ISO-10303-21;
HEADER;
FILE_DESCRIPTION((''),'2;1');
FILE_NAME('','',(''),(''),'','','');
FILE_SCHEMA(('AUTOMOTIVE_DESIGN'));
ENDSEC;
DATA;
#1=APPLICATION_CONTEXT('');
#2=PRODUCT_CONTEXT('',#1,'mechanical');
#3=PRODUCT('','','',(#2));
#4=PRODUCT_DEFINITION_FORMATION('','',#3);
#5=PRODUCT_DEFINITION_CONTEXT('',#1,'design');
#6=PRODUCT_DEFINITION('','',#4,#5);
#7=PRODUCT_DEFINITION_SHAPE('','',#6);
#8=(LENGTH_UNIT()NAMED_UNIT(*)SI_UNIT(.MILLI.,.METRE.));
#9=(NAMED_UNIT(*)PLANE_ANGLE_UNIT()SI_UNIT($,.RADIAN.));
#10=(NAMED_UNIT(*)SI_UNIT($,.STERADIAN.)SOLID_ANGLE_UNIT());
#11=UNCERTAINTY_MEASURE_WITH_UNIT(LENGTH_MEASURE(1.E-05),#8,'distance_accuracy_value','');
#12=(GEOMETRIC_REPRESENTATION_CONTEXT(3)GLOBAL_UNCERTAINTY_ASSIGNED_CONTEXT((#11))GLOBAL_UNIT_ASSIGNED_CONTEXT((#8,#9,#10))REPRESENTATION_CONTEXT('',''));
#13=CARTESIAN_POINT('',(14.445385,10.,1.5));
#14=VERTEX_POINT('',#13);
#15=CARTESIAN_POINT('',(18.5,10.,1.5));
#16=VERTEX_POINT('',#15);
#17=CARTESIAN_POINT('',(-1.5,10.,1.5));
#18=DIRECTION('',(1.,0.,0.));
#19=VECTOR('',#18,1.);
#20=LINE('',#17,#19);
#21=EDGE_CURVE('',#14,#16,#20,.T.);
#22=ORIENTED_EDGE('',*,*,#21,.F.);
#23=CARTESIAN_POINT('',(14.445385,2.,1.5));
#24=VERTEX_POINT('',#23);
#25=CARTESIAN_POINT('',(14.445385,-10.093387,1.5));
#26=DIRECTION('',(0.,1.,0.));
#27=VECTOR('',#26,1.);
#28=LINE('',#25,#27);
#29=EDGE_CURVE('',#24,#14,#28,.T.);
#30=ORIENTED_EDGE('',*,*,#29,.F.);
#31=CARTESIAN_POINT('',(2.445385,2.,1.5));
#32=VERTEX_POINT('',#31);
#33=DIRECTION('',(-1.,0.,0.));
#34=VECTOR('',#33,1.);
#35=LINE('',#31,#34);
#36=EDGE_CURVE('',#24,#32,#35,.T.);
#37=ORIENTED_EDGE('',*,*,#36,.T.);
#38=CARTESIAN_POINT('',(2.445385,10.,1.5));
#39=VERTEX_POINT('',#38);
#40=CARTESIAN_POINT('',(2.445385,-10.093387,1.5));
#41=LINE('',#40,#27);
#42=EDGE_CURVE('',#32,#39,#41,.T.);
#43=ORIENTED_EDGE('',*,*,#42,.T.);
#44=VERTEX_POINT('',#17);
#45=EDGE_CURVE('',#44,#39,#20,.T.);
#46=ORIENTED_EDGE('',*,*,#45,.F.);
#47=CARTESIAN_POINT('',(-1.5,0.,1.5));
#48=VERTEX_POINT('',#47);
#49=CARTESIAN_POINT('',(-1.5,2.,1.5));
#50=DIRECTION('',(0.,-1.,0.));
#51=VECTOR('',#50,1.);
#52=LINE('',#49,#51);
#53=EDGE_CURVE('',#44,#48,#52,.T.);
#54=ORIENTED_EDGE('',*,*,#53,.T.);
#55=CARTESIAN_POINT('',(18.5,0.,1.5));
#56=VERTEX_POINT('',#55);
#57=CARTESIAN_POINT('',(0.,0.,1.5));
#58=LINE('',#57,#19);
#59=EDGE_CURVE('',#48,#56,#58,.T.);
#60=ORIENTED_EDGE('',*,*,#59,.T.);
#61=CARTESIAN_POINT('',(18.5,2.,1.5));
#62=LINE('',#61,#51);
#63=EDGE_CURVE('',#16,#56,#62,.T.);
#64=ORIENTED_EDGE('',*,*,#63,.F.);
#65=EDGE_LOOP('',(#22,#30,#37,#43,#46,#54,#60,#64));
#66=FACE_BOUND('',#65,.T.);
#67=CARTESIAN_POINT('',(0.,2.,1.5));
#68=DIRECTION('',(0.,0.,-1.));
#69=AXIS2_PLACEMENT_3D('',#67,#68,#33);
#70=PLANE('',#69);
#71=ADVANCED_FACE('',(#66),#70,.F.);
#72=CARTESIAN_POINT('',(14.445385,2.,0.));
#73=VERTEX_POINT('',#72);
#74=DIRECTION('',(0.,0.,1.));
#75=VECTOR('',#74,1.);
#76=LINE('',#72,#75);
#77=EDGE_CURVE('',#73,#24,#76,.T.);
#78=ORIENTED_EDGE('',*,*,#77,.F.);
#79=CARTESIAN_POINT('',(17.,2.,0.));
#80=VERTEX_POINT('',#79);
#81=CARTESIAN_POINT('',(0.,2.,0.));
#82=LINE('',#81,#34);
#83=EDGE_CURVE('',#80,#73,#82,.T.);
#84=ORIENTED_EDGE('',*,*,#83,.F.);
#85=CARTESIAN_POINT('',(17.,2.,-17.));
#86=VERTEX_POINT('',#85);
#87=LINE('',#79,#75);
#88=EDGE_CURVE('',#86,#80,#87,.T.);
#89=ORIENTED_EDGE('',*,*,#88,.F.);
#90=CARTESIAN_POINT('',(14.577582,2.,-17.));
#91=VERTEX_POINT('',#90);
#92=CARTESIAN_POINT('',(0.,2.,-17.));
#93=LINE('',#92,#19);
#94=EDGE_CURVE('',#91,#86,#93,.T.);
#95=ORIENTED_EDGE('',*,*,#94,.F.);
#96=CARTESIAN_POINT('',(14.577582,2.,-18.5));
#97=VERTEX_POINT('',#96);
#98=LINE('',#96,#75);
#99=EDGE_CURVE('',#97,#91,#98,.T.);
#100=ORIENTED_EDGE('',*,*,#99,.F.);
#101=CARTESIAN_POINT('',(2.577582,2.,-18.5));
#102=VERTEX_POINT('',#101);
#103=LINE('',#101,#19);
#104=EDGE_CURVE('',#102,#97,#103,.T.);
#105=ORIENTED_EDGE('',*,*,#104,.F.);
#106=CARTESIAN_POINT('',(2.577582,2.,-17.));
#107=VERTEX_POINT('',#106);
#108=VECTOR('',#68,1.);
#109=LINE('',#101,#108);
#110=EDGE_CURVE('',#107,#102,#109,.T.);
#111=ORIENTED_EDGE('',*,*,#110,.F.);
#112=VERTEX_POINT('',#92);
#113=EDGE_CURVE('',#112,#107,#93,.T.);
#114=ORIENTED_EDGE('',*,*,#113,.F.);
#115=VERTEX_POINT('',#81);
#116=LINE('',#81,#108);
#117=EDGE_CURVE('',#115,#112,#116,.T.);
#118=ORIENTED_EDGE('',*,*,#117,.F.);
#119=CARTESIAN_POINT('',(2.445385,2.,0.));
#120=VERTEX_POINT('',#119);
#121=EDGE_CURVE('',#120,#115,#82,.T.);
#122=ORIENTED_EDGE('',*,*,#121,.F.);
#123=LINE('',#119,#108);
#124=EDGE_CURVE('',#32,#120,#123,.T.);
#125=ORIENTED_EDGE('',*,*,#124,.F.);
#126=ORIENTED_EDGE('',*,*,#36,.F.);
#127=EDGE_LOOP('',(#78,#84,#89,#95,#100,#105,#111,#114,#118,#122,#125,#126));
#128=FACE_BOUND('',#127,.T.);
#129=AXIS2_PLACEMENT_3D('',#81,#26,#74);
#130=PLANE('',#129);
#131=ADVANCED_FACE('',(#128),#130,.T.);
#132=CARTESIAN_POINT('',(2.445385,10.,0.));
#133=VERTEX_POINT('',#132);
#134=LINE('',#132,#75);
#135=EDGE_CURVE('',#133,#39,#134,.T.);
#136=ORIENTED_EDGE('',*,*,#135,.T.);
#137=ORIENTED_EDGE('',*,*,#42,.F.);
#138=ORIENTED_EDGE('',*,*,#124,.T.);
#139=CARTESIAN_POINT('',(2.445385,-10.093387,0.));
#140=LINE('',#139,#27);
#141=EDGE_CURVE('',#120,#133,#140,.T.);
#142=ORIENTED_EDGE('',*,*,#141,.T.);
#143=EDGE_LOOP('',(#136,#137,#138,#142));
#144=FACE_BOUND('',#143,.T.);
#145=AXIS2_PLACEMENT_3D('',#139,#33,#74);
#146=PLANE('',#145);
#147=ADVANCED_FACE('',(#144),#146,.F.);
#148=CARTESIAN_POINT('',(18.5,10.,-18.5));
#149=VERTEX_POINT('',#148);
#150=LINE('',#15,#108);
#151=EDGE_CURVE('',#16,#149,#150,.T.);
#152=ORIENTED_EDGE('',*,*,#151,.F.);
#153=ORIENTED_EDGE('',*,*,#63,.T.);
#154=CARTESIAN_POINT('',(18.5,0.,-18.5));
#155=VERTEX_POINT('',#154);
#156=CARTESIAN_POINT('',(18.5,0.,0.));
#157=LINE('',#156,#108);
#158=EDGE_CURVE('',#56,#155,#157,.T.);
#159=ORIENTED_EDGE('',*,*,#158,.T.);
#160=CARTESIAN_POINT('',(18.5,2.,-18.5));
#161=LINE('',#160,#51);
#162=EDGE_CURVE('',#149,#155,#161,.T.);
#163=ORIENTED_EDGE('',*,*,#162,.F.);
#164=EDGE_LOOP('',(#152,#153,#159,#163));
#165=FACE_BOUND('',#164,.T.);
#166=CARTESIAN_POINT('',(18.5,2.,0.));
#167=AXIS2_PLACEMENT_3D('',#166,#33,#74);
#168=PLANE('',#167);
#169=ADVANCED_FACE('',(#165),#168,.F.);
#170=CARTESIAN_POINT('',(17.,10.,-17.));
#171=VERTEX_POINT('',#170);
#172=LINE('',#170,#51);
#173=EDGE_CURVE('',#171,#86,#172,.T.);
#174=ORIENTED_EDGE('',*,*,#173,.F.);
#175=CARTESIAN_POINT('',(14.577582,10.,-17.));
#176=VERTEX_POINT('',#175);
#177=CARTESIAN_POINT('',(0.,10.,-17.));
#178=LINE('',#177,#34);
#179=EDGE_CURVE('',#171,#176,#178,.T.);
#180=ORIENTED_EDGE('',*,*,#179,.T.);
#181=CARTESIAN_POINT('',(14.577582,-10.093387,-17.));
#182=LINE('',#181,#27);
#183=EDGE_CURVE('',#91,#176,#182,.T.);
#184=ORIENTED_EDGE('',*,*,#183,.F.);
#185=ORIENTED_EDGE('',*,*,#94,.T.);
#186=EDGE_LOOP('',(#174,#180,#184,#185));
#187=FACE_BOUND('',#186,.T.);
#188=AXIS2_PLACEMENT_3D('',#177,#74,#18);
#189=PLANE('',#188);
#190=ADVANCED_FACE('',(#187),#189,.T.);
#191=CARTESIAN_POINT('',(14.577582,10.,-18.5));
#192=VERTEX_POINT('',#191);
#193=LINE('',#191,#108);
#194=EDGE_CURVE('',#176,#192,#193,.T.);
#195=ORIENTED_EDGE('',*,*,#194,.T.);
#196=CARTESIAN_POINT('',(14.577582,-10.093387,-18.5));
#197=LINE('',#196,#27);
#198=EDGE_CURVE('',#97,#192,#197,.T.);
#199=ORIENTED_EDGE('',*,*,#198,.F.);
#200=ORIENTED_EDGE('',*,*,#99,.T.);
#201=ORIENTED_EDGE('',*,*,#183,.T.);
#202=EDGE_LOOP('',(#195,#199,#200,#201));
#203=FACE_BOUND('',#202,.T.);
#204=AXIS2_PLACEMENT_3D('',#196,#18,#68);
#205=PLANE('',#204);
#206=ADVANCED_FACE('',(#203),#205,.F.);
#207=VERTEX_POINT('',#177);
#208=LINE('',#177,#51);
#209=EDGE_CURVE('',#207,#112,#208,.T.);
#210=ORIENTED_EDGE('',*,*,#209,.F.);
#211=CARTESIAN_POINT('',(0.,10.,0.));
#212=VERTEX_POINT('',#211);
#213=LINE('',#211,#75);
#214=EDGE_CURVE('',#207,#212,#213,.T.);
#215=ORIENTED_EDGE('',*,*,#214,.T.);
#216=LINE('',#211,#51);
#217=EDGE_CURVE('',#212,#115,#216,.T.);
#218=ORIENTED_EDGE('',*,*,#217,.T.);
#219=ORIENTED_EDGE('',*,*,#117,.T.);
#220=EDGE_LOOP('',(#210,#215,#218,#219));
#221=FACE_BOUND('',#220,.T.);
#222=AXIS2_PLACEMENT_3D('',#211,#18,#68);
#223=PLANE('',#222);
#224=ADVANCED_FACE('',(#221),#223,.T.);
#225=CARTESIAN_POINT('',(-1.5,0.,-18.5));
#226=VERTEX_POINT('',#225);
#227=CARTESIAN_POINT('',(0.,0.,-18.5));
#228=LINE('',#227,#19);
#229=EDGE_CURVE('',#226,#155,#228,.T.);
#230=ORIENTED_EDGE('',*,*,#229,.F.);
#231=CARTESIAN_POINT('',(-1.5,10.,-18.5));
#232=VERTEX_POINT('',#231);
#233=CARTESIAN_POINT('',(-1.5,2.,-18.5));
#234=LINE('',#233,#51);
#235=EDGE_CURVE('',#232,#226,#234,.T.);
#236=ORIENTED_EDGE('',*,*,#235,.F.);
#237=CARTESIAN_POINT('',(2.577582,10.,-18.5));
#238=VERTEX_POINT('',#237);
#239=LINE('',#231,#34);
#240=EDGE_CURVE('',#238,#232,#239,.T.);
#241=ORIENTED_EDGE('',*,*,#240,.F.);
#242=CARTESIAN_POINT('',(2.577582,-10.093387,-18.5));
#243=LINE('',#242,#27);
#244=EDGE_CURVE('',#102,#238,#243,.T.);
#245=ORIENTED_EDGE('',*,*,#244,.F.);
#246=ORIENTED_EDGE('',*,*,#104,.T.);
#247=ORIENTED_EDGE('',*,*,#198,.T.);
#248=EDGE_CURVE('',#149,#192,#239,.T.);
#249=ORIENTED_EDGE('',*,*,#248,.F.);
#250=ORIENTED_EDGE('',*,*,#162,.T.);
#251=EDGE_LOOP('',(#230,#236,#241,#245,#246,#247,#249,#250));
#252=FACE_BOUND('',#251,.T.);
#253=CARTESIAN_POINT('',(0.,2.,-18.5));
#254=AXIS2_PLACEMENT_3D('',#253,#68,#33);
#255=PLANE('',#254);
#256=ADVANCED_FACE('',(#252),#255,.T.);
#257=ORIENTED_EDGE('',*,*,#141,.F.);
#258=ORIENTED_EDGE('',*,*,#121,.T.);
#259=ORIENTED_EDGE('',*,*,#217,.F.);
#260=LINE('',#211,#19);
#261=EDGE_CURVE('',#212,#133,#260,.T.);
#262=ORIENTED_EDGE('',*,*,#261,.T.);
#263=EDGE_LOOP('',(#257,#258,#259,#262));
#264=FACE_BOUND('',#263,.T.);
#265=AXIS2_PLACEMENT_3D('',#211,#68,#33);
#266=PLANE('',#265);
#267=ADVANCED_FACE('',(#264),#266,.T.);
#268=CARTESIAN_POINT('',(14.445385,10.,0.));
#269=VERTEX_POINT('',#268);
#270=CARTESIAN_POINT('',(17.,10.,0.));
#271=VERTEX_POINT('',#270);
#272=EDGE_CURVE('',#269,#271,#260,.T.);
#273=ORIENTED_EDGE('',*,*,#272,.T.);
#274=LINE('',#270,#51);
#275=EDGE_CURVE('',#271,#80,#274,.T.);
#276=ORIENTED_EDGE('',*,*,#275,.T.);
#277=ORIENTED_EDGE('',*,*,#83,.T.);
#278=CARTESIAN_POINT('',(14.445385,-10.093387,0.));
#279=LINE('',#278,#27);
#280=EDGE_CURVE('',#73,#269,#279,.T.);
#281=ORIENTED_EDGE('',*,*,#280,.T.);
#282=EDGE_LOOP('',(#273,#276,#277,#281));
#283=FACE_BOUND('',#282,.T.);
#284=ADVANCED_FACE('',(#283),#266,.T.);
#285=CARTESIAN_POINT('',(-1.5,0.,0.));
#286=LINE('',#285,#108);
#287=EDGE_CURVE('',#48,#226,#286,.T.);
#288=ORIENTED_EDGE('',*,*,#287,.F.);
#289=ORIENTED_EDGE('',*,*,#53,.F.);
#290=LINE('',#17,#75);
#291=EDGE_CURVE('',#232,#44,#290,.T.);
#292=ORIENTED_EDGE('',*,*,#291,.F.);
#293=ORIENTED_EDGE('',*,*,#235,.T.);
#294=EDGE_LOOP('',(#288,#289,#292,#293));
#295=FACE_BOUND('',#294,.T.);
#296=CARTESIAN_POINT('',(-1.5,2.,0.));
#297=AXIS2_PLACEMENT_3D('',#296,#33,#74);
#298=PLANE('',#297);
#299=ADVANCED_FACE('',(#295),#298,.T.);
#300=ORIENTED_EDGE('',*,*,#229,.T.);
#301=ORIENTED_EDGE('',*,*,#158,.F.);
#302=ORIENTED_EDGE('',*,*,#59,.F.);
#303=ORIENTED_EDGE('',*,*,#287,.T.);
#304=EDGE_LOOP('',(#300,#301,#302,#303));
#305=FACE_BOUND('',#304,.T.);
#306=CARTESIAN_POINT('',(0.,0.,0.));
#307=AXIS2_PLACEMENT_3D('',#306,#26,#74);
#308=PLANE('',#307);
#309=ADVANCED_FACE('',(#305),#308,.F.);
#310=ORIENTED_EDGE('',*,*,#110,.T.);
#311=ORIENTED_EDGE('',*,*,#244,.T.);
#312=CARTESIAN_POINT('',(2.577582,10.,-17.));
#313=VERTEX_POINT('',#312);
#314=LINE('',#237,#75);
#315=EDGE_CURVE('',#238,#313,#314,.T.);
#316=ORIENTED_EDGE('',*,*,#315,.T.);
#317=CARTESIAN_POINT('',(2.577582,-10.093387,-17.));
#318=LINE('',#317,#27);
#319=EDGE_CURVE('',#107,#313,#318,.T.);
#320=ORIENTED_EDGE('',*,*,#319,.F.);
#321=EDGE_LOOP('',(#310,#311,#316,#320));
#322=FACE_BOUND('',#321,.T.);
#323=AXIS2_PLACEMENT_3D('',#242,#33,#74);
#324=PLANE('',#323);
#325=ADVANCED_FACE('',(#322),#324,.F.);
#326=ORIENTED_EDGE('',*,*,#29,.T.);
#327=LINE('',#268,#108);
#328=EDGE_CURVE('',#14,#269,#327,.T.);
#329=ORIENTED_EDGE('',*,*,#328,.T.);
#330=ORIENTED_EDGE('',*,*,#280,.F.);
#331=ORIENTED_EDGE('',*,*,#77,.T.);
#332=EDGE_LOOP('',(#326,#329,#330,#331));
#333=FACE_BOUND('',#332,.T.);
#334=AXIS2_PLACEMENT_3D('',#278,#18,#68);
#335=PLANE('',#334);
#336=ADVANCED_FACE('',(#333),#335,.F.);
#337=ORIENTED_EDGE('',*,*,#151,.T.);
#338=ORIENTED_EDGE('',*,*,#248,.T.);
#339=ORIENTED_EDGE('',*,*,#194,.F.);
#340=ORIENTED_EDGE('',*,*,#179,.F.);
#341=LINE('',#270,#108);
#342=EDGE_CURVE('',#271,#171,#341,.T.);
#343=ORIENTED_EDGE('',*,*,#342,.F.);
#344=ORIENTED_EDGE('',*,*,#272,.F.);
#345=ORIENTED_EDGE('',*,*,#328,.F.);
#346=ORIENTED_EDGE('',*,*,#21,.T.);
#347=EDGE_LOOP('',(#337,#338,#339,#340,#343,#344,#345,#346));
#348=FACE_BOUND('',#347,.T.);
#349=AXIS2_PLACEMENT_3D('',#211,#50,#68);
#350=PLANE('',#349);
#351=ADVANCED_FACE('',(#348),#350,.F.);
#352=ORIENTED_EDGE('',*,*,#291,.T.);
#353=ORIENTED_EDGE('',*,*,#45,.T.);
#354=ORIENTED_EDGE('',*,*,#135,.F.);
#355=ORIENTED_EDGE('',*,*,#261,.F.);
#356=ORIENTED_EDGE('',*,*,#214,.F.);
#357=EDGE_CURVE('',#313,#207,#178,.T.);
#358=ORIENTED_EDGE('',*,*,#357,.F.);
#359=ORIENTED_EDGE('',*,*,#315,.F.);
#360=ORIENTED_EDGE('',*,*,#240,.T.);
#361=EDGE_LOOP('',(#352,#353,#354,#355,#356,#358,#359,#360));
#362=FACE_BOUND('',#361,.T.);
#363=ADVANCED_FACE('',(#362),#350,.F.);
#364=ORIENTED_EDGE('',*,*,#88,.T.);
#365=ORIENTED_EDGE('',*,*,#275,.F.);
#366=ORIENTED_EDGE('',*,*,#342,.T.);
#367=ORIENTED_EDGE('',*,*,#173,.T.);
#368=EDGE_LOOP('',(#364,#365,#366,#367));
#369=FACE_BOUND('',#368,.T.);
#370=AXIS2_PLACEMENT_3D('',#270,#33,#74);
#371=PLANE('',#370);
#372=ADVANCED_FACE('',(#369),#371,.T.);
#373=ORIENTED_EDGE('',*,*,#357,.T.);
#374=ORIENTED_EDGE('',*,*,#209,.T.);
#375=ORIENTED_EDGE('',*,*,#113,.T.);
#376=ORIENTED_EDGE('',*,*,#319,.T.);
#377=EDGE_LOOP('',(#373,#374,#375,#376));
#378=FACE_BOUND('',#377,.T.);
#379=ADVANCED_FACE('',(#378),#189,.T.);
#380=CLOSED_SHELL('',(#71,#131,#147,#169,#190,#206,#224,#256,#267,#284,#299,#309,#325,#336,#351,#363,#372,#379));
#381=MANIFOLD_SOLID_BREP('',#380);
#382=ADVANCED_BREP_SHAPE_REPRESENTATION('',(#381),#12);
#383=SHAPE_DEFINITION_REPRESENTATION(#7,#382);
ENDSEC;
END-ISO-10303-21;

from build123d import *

# Parameters (mm, degrees)
SKETCH1_W           = 20
SKETCH1_H           = 20
SKETCH1_W_2         = 17
SKETCH1_H_2         = 17
BOSS_EXTRUDE2_DEPTH = 2
SKETCH1_4_W         = 20
SKETCH1_4_H         = 20
SKETCH1_4_W_2       = 17
SKETCH1_4_H_2       = 17
BOSS_EXTRUDE3_DEPTH = 10
SKETCH2_W           = 12
SKETCH2_H           = 1.5
CUT_EXTRUDE1_DEPTH  = 8


with BuildPart() as part:
    # Sketch1 → Boss-Extrude2 (new body)
    # profile 1 of 2: a face of its own
    with BuildSketch(Plane(origin=(0, 0, 0), x_dir=(1, 0, 0), z_dir=(0, 1, 0))):
        with Locations((8.5, 8.5)):
            Rectangle(SKETCH1_W, SKETCH1_H)
        with Locations((8.5, 8.5)):
            Rectangle(SKETCH1_W_2, SKETCH1_H_2, mode=Mode.SUBTRACT)
    # profile 2 of 2: a face of its own
    with BuildSketch(Plane(origin=(0, 0, 0), x_dir=(1, 0, 0), z_dir=(0, 1, 0))):
        with Locations((8.5, 8.5)):
            Rectangle(SKETCH1_W_2, SKETCH1_H_2)
    extrude(amount=BOSS_EXTRUDE2_DEPTH)

    # Sketch1<4> → Boss-Extrude3 (add)
    with BuildSketch(Plane(origin=(0, 0, 0), x_dir=(1, 0, 0), z_dir=(0, 1, 0))):
        with Locations((8.5, 8.5)):
            Rectangle(SKETCH1_4_W, SKETCH1_4_H)
        with Locations((8.5, 8.5)):
            Rectangle(SKETCH1_4_W_2, SKETCH1_4_H_2, mode=Mode.SUBTRACT)
    extrude(amount=BOSS_EXTRUDE3_DEPTH)

    # Sketch2 → Cut-Extrude1 (cut)
    with BuildSketch(Plane(origin=(0, 10, 0), x_dir=(1, 0, 0), z_dir=(0, 1, 0))):
        with Locations((8.577582313, 17.75)):
            Rectangle(SKETCH2_W, SKETCH2_H)
        with Locations((8.44538549, -0.75)):
            Rectangle(SKETCH2_W, SKETCH2_H)
    extrude(amount=-CUT_EXTRUDE1_DEPTH, mode=Mode.SUBTRACT)


solid = part.part
